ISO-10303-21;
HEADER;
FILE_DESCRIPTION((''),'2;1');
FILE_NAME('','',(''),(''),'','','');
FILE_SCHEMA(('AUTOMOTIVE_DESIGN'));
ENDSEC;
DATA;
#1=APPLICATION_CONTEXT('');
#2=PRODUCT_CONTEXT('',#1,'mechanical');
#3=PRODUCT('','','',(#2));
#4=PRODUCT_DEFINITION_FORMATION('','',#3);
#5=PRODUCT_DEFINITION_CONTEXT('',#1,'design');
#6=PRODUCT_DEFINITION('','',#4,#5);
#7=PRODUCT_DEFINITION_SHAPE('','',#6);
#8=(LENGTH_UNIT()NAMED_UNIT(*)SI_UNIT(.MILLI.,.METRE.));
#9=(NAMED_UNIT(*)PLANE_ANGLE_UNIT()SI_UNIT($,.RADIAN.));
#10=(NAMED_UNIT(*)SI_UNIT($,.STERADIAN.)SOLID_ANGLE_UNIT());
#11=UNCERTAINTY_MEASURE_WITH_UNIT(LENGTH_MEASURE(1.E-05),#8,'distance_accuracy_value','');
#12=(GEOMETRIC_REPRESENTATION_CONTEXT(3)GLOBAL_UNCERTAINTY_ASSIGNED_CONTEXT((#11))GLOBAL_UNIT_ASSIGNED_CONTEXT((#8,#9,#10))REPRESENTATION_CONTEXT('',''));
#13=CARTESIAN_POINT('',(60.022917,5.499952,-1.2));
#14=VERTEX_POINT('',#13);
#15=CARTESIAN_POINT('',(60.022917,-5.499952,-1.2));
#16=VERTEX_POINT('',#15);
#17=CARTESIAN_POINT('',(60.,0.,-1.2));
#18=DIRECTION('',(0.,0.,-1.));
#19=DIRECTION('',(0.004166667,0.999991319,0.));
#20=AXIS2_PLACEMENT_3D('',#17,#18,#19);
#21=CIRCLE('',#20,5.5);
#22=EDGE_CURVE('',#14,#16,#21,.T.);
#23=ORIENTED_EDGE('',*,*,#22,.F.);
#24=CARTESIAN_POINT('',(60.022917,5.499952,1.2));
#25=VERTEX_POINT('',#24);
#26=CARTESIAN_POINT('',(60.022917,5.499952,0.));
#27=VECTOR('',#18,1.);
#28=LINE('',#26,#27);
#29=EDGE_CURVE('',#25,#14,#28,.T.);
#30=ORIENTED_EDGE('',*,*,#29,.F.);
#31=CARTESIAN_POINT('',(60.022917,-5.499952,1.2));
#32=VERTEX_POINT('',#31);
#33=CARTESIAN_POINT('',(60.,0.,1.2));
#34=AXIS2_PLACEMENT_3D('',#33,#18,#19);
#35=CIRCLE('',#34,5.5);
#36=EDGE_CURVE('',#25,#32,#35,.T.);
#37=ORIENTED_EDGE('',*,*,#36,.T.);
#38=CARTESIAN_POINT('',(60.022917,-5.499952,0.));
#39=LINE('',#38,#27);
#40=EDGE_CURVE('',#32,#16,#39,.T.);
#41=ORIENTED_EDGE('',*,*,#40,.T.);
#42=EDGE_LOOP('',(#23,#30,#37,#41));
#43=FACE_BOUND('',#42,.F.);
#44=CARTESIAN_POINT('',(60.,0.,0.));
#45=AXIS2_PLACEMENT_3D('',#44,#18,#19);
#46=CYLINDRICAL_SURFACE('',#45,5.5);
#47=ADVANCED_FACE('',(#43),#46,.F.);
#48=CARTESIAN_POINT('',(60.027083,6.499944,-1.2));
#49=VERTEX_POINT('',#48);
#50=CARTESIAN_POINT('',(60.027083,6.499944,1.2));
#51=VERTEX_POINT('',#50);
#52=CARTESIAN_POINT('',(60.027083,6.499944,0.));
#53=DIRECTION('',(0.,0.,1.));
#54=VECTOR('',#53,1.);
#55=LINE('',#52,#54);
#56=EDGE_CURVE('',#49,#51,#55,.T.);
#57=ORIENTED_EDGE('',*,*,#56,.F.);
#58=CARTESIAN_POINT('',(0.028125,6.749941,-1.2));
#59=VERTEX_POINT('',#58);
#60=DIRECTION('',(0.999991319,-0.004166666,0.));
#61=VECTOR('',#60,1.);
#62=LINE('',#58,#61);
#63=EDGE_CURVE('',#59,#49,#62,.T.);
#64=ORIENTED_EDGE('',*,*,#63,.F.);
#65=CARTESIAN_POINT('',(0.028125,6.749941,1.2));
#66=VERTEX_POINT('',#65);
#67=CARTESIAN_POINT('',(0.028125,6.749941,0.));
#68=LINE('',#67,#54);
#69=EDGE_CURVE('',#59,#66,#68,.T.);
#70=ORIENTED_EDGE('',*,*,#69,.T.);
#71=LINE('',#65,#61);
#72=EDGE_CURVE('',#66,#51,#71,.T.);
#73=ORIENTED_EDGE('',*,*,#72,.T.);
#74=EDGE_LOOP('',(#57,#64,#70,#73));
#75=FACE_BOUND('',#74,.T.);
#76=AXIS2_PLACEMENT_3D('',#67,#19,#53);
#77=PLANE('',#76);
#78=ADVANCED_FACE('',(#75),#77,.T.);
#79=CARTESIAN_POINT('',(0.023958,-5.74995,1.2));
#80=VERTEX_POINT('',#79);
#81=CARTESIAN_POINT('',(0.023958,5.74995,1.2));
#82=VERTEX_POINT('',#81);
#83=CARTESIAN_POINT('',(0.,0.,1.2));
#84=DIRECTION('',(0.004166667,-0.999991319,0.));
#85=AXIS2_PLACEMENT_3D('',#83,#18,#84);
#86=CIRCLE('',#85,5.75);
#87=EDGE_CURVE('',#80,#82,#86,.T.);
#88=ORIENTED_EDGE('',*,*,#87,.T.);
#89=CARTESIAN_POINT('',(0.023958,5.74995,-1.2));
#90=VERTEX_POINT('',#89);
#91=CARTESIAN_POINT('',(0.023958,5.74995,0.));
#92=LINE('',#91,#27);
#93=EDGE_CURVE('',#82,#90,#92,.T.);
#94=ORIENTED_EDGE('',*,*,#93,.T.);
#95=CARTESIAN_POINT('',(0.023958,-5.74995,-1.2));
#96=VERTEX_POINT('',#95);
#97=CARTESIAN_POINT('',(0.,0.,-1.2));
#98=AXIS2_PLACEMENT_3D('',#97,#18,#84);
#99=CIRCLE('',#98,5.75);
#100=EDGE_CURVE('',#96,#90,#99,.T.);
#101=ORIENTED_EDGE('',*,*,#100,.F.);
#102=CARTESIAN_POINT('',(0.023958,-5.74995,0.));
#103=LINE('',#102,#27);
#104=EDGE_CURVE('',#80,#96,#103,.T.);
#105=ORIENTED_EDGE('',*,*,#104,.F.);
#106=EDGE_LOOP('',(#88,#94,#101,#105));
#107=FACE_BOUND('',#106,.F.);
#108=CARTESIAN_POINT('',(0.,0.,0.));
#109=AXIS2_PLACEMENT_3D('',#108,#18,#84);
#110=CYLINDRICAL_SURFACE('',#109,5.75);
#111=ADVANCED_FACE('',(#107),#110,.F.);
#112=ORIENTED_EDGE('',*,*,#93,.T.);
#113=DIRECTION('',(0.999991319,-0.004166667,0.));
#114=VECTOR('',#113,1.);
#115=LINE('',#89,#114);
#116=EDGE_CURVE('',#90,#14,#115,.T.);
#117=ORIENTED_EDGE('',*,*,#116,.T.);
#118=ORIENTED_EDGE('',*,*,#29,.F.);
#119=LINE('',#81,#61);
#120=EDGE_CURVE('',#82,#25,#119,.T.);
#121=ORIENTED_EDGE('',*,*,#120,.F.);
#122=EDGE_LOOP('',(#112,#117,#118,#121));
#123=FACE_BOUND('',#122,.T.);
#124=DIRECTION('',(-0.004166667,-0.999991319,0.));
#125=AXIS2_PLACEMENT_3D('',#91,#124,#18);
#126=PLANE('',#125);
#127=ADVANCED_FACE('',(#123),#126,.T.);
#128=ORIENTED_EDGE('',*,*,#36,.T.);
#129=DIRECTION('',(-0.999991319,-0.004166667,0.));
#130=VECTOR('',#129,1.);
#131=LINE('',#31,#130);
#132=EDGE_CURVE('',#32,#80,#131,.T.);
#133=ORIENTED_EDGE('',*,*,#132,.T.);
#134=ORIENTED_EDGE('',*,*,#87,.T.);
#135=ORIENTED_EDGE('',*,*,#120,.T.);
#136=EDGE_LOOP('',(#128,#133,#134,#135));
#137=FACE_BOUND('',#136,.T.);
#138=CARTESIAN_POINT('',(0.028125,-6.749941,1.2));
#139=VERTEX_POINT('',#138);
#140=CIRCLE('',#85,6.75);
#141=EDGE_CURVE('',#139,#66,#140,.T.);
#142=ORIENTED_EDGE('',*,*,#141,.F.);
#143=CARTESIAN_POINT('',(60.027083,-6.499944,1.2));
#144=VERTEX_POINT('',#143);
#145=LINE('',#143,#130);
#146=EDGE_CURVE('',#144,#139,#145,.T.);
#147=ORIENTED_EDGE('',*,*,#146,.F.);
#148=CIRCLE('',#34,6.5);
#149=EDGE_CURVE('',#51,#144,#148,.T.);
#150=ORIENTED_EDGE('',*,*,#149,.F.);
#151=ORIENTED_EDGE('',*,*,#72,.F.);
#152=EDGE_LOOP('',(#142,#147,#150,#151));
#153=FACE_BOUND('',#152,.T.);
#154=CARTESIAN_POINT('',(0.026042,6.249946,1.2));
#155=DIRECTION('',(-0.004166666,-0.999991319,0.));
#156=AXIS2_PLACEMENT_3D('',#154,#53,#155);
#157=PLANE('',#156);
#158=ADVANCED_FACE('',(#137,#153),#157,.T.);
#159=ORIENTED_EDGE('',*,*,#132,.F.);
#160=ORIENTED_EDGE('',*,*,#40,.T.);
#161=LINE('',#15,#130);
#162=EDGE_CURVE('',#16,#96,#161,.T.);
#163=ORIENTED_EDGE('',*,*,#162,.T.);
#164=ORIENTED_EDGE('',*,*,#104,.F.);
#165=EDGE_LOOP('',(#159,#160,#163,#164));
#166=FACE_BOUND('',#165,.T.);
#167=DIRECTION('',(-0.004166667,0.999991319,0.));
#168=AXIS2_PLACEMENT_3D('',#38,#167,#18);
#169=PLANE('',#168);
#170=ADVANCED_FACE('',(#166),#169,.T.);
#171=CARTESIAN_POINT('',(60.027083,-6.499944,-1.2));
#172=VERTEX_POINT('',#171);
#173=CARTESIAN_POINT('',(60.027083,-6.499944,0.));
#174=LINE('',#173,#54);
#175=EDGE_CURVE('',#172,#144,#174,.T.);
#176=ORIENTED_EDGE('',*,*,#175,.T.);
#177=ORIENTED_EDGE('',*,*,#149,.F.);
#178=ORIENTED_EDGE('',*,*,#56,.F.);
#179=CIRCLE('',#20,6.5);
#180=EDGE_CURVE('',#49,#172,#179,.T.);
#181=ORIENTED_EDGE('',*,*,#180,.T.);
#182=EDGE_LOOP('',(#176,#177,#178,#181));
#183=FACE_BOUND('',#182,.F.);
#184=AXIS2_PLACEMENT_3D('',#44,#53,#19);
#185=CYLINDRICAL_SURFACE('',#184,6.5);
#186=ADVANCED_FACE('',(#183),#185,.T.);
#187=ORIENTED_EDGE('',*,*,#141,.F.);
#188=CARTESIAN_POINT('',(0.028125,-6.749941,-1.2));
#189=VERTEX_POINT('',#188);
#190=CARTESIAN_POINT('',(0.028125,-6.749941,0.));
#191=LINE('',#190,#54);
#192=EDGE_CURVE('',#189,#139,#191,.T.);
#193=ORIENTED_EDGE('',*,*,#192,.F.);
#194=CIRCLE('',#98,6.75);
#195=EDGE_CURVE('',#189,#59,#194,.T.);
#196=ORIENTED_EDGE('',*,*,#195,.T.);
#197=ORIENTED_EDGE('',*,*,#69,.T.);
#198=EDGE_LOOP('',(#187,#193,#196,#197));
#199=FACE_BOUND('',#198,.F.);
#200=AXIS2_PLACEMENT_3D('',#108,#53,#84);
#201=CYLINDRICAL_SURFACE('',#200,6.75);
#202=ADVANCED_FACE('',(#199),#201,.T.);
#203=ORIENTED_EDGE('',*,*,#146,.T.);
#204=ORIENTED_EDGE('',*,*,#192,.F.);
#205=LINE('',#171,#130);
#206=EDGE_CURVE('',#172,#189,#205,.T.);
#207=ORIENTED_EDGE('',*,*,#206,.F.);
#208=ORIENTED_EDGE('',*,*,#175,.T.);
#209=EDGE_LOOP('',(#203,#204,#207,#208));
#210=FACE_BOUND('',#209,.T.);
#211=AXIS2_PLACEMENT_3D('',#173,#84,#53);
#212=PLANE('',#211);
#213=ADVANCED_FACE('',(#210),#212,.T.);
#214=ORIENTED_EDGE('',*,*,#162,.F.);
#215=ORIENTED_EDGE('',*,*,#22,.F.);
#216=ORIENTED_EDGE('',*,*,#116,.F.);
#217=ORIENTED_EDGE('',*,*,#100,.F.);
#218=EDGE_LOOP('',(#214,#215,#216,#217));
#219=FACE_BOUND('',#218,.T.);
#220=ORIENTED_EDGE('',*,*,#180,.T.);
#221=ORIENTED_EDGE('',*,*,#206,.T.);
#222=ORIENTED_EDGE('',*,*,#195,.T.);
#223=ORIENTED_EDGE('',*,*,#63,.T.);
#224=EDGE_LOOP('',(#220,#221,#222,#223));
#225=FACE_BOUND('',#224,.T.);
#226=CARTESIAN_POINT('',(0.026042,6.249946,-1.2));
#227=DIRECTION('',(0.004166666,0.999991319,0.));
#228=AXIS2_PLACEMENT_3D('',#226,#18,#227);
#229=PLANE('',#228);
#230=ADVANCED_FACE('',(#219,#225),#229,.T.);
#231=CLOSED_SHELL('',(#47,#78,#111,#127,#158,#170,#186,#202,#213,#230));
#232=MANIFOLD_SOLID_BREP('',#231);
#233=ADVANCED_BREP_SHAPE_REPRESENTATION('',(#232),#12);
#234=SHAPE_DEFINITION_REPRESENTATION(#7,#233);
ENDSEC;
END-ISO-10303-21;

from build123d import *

# Parameters (mm, degrees)
SKETCH4_W = 2.4
SKETCH4_H = 1


with BuildPart() as part:
    # Sweep2: sweep along a path in Sketch2
    with BuildLine(Plane.XY) as sweep2_path:
        Line((0.026041667, 6.249945746), (60.025, 5.999947916))
        ThreePointArc((60.025, 5.999947916), (66, 0), (60.025, -5.999947916))
        Line((60.025, -5.999947916), (0.026041667, -6.249945746))
        ThreePointArc((0.026041667, -6.249945746), (-6.25, 0), (0.026041667, 6.249945746))
    # Sketch4 → Sweep2 (sweep)
    with BuildSketch(Plane(origin=(0, 0, 0), x_dir=(0, 0, -1), z_dir=(1, 0, 0))):
        with Locations((0, 6.25)):
            Rectangle(SKETCH4_W, SKETCH4_H)
    sweep(path=sweep2_path.line)


solid = part.part
